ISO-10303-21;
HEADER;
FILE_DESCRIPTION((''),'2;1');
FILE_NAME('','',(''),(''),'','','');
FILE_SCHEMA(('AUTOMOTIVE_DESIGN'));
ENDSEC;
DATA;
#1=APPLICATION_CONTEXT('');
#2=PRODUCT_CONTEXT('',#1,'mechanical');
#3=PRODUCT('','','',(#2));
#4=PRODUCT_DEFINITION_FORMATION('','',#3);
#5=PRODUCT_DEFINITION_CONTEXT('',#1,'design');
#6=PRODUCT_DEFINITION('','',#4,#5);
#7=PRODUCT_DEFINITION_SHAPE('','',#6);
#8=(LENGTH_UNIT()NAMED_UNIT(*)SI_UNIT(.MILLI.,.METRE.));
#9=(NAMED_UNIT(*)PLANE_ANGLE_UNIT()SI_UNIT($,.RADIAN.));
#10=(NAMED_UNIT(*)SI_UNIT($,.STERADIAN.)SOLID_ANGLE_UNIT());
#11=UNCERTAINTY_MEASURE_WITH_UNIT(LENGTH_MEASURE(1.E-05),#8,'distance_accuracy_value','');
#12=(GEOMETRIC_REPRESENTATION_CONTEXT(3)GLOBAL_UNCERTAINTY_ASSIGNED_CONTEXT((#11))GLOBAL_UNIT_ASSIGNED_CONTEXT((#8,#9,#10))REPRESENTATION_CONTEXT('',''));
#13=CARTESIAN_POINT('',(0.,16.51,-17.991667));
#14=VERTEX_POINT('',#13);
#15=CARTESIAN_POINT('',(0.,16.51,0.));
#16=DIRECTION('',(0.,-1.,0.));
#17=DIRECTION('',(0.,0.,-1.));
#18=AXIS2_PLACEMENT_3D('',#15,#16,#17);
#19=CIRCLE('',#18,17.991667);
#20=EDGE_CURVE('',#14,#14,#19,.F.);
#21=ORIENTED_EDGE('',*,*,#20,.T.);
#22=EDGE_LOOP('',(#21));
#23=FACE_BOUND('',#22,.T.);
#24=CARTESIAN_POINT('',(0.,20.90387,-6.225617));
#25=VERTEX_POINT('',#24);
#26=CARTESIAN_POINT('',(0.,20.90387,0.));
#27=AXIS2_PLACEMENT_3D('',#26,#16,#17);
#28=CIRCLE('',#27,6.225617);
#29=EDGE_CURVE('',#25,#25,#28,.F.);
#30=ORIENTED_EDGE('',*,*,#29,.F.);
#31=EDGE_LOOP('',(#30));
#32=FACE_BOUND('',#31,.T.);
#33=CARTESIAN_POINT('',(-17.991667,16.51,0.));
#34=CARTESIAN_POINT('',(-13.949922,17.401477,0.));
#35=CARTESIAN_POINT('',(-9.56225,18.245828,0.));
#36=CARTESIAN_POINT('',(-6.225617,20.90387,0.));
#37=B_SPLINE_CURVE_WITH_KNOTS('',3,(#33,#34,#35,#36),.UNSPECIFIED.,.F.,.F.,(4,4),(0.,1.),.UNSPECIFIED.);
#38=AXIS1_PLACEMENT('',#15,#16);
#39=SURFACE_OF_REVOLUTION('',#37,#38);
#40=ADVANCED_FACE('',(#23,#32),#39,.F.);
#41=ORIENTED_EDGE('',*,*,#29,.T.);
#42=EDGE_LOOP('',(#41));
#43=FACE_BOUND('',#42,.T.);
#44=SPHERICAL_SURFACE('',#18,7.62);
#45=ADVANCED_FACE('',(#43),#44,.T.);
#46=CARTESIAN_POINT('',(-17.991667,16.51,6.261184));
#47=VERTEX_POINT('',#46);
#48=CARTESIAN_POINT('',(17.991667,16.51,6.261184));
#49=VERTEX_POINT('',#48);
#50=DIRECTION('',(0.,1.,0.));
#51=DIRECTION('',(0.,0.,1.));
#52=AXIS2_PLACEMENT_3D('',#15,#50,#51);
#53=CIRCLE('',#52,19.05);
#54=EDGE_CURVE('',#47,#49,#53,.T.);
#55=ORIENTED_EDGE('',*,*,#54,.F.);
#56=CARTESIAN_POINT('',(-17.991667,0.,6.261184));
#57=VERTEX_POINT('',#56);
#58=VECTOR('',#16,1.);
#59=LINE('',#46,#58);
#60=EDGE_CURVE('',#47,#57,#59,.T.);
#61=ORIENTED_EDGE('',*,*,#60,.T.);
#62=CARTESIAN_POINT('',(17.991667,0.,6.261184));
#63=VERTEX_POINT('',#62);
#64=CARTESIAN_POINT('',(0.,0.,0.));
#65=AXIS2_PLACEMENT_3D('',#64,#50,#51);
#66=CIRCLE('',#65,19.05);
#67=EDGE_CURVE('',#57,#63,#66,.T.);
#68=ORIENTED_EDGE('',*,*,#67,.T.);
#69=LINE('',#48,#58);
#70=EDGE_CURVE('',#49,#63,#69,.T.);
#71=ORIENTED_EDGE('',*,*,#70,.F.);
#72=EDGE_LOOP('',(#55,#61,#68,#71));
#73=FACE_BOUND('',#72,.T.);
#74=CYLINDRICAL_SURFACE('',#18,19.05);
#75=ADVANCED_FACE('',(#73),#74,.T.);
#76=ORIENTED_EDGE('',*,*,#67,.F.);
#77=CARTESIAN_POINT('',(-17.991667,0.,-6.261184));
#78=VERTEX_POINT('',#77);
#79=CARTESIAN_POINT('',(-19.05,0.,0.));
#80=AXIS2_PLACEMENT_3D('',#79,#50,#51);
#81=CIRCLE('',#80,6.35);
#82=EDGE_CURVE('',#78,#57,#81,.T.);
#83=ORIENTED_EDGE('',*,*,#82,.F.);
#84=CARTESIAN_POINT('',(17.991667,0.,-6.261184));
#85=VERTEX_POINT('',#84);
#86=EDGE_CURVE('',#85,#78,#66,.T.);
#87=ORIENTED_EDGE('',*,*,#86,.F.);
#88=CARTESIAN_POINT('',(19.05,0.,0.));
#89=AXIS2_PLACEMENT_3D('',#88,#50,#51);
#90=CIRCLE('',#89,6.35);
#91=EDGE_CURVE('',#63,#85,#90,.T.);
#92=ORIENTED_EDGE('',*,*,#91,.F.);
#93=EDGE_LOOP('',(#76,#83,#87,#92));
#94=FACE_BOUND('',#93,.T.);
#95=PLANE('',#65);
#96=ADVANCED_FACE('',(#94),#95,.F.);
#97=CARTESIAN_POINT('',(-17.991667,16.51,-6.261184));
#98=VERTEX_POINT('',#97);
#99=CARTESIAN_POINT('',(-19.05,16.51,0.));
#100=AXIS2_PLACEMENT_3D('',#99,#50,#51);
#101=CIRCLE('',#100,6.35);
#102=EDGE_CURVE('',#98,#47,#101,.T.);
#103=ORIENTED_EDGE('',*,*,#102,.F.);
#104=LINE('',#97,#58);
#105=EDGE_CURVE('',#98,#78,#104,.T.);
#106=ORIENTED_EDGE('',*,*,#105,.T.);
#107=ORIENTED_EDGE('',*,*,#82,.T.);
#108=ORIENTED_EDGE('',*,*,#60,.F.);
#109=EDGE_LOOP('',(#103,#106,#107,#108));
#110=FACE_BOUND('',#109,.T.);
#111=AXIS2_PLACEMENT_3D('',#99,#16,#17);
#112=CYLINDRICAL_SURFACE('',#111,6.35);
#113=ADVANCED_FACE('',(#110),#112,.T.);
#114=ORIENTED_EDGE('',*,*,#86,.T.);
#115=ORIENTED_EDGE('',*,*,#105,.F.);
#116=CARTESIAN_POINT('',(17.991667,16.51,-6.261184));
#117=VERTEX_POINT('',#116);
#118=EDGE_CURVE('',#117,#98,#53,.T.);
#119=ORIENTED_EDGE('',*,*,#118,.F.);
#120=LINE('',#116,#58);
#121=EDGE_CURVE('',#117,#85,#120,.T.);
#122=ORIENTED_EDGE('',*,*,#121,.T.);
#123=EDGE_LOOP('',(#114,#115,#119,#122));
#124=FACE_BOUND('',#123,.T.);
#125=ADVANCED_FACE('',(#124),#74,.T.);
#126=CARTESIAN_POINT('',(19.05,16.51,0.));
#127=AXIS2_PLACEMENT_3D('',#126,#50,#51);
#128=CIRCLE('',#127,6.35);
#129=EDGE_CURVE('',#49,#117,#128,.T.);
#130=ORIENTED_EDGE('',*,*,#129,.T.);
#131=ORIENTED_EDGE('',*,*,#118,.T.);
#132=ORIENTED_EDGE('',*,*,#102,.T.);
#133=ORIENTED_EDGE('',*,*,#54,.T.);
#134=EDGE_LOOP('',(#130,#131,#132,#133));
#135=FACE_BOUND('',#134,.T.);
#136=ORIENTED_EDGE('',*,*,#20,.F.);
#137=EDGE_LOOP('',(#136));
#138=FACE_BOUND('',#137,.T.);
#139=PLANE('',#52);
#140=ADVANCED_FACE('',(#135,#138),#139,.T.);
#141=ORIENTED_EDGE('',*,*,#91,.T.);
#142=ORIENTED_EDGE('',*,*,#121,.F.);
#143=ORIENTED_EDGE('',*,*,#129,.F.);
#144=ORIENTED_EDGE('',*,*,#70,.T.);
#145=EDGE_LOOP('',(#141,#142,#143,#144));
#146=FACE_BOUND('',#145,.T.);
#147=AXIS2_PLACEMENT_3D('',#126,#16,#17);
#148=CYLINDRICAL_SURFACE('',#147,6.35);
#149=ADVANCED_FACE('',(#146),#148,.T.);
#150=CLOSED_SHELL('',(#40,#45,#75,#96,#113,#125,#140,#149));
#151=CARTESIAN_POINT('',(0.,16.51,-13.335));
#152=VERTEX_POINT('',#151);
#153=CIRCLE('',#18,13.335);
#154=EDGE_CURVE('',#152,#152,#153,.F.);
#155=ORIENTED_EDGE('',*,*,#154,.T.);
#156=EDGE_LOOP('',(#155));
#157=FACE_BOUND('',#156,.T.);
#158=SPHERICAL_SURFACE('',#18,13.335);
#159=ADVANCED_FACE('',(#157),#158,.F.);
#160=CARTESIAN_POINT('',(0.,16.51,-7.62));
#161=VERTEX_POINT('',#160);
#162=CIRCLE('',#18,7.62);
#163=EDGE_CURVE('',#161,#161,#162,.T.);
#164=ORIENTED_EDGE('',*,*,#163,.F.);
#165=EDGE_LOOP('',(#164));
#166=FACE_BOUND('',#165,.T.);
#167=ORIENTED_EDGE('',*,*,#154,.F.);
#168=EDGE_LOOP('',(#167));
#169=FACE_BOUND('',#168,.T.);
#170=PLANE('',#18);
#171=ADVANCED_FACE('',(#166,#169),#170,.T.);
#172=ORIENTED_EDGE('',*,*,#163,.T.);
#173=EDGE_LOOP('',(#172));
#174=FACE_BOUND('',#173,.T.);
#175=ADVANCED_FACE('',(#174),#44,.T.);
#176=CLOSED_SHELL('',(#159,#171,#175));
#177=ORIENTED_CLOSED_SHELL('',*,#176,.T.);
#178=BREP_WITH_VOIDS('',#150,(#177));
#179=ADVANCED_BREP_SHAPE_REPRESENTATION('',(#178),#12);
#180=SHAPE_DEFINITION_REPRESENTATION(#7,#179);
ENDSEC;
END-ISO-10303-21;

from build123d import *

# Parameters (mm, degrees)
BOSS_EXTRUDE1_DEPTH = 16.51


with BuildPart() as part:
    # Sketch1 → Boss-Extrude1 (new body)
    with BuildSketch(Plane(origin=(0, 0, 0), x_dir=(1, 0, 0), z_dir=(0, 1, 0))):
        with BuildLine():
            ThreePointArc((-17.991666667, -6.261184437), (0, -19.05), (17.991666667, -6.261184437))
            ThreePointArc((17.991666667, -6.261184437), (25.4, 0), (17.991666667, 6.261184437))
            ThreePointArc((17.991666667, 6.261184437), (0, 19.05), (-17.991666667, 6.261184437))
            ThreePointArc((-17.991666667, 6.261184437), (-25.4, 0), (-17.991666667, -6.261184437))
        make_face()
    extrude(amount=BOSS_EXTRUDE1_DEPTH)

    # Sketch2 → Cut-Revolve4 (revolve, cut)
    with BuildSketch(Plane(origin=(0, 16.51, 0), x_dir=(1, 0, 0), z_dir=(0, 1, 0))):
        with BuildLine():
            ThreePointArc((-13.335, 0), (0, -13.335), (13.335, 0))
            Line((13.335, 0), (-13.335, 0))
        make_face()
    revolve(axis=Axis((0, 16.51, 0), (1, 0, 0)), mode=Mode.SUBTRACT)



with BuildPart() as body_2:
    # Sketch2<7> → Revolve1 (revolve)
    with BuildSketch(Plane(origin=(0, 16.51, 0), x_dir=(1, 0, 0), z_dir=(0, 1, 0))):
        with BuildLine():
            Line((7.62, 0), (0, 0))
            Line((0, 0), (-7.62, 0))
            ThreePointArc((-7.62, 0), (0, -7.62), (7.62, 0))
        make_face()
    revolve(axis=Axis((0, 16.51, 0), (1, 0, 0)))


with BuildPart() as part_1:
    add(part.part)

    add(body_2.part)  # Revolve2 merges body 2
    # Sketch3 → Revolve2 (revolve)
    with BuildSketch(Plane.XY):
        with BuildLine():
            Line((-17.991666667, 16.51), (-7.62, 16.51))
            add(Edge.make_bspline(
                [(-6.225616872, 20.903870112), (-7.600669831, 18.930780111), (-7.62, 16.51)],
                knots=[0, 0, 0, 1, 1, 1], degree=2))
            add(Edge.make_bspline(
                [(-17.991666667, 16.51), (-13.949922169, 17.401477486), (-9.562250003, 18.24582827), (-6.225616872, 20.903870112)],
                knots=[0, 0, 0, 0, 1, 1, 1, 1], degree=3))
        make_face()
    revolve(axis=Axis((0, 16.51, 0), (0, 1, 0)))


solid = part_1.part
